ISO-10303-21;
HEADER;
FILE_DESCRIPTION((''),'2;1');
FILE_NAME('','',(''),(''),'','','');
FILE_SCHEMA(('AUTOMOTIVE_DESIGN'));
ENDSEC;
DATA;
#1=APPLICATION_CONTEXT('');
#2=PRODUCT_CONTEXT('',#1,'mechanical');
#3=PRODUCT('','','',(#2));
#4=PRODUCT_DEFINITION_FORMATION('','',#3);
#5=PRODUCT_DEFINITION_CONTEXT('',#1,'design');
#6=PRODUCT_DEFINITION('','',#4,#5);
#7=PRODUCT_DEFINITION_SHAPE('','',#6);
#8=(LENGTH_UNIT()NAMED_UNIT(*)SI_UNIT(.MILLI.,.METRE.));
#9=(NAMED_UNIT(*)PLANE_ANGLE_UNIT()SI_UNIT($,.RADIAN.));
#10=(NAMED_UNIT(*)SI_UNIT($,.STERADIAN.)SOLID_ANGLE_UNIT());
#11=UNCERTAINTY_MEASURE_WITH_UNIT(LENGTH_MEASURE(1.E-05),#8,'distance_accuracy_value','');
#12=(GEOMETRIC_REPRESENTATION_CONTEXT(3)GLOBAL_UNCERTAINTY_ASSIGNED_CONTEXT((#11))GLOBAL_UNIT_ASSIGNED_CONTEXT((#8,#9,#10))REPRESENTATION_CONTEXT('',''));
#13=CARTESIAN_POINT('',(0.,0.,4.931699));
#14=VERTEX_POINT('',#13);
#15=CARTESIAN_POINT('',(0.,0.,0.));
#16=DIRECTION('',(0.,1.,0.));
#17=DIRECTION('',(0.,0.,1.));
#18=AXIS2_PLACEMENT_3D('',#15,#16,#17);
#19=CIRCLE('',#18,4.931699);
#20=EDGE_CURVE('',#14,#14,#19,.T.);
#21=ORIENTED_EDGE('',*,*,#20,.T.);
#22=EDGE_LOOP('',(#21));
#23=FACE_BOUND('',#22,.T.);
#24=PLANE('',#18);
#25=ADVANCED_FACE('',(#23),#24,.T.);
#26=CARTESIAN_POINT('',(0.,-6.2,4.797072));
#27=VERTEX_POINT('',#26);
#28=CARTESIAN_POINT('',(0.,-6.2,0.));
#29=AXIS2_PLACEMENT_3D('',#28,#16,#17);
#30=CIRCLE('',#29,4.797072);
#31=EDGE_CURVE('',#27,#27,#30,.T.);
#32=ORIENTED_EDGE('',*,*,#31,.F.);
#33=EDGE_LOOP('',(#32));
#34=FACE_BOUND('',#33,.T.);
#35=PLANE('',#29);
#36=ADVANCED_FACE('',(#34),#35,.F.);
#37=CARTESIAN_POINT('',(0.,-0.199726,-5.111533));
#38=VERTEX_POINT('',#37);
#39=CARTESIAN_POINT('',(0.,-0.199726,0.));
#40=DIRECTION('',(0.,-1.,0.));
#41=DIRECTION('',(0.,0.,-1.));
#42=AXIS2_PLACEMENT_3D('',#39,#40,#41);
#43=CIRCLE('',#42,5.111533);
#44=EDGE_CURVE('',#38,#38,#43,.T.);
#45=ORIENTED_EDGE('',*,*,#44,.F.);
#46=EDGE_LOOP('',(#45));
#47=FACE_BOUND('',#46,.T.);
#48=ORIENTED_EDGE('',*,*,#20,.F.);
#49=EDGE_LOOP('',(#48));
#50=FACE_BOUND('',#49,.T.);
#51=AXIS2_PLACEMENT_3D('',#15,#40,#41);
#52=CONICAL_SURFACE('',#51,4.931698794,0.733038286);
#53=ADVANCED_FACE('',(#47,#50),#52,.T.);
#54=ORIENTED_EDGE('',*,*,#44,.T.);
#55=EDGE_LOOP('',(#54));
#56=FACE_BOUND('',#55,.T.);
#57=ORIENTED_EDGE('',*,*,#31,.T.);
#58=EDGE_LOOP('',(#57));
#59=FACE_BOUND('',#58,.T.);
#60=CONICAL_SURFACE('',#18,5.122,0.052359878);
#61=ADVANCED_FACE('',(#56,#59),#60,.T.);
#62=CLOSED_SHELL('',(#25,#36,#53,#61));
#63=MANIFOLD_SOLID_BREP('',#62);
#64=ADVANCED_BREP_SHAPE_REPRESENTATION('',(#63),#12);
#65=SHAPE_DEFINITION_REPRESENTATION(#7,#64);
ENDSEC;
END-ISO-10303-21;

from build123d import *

# Parameters (mm, degrees)
SKETCH1_R      = 5.122
EXTRUDE1_DEPTH = 6.2
EXTRUDE1_DRAFT = -3
CHAMFER1_SIZE  = 0.2
CHAMFER1_SIZE2 = 0.190301206


with BuildPart() as part:
    # Sketch1 → Extrude1 (with draft: the straight prism first)
    with BuildSketch(Plane(origin=(0, 0, 0), x_dir=(1, 0, 0), z_dir=(0, 1, 0))):
        Circle(SKETCH1_R)
    extrude(amount=-EXTRUDE1_DEPTH)
    # Extrude1: the draft: its side faces are tilted about the plane it starts from
    extrude1_sides = [part.faces().sort_by_distance(p)[0] for p in [
        (-5.122, -3.1, 0),
    ]]
    draft(extrude1_sides, Plane(origin=(0, 0, 0), x_dir=(1, 0, 0), z_dir=(0, 1, 0)), EXTRUDE1_DRAFT)

    # Chamfer1
    chamfer1_edges = [part.edges().sort_by_distance(p)[0] for p in [
        (-5.122, 0, 0),
    ]]
    chamfer1_side = [part.faces().sort_by_distance(p)[0] for p in [
        (-4.959535884, -3.1, 0),
    ]]
    chamfer(chamfer1_edges, length=CHAMFER1_SIZE, length2=CHAMFER1_SIZE2, reference=chamfer1_side[0])


solid = part.part
